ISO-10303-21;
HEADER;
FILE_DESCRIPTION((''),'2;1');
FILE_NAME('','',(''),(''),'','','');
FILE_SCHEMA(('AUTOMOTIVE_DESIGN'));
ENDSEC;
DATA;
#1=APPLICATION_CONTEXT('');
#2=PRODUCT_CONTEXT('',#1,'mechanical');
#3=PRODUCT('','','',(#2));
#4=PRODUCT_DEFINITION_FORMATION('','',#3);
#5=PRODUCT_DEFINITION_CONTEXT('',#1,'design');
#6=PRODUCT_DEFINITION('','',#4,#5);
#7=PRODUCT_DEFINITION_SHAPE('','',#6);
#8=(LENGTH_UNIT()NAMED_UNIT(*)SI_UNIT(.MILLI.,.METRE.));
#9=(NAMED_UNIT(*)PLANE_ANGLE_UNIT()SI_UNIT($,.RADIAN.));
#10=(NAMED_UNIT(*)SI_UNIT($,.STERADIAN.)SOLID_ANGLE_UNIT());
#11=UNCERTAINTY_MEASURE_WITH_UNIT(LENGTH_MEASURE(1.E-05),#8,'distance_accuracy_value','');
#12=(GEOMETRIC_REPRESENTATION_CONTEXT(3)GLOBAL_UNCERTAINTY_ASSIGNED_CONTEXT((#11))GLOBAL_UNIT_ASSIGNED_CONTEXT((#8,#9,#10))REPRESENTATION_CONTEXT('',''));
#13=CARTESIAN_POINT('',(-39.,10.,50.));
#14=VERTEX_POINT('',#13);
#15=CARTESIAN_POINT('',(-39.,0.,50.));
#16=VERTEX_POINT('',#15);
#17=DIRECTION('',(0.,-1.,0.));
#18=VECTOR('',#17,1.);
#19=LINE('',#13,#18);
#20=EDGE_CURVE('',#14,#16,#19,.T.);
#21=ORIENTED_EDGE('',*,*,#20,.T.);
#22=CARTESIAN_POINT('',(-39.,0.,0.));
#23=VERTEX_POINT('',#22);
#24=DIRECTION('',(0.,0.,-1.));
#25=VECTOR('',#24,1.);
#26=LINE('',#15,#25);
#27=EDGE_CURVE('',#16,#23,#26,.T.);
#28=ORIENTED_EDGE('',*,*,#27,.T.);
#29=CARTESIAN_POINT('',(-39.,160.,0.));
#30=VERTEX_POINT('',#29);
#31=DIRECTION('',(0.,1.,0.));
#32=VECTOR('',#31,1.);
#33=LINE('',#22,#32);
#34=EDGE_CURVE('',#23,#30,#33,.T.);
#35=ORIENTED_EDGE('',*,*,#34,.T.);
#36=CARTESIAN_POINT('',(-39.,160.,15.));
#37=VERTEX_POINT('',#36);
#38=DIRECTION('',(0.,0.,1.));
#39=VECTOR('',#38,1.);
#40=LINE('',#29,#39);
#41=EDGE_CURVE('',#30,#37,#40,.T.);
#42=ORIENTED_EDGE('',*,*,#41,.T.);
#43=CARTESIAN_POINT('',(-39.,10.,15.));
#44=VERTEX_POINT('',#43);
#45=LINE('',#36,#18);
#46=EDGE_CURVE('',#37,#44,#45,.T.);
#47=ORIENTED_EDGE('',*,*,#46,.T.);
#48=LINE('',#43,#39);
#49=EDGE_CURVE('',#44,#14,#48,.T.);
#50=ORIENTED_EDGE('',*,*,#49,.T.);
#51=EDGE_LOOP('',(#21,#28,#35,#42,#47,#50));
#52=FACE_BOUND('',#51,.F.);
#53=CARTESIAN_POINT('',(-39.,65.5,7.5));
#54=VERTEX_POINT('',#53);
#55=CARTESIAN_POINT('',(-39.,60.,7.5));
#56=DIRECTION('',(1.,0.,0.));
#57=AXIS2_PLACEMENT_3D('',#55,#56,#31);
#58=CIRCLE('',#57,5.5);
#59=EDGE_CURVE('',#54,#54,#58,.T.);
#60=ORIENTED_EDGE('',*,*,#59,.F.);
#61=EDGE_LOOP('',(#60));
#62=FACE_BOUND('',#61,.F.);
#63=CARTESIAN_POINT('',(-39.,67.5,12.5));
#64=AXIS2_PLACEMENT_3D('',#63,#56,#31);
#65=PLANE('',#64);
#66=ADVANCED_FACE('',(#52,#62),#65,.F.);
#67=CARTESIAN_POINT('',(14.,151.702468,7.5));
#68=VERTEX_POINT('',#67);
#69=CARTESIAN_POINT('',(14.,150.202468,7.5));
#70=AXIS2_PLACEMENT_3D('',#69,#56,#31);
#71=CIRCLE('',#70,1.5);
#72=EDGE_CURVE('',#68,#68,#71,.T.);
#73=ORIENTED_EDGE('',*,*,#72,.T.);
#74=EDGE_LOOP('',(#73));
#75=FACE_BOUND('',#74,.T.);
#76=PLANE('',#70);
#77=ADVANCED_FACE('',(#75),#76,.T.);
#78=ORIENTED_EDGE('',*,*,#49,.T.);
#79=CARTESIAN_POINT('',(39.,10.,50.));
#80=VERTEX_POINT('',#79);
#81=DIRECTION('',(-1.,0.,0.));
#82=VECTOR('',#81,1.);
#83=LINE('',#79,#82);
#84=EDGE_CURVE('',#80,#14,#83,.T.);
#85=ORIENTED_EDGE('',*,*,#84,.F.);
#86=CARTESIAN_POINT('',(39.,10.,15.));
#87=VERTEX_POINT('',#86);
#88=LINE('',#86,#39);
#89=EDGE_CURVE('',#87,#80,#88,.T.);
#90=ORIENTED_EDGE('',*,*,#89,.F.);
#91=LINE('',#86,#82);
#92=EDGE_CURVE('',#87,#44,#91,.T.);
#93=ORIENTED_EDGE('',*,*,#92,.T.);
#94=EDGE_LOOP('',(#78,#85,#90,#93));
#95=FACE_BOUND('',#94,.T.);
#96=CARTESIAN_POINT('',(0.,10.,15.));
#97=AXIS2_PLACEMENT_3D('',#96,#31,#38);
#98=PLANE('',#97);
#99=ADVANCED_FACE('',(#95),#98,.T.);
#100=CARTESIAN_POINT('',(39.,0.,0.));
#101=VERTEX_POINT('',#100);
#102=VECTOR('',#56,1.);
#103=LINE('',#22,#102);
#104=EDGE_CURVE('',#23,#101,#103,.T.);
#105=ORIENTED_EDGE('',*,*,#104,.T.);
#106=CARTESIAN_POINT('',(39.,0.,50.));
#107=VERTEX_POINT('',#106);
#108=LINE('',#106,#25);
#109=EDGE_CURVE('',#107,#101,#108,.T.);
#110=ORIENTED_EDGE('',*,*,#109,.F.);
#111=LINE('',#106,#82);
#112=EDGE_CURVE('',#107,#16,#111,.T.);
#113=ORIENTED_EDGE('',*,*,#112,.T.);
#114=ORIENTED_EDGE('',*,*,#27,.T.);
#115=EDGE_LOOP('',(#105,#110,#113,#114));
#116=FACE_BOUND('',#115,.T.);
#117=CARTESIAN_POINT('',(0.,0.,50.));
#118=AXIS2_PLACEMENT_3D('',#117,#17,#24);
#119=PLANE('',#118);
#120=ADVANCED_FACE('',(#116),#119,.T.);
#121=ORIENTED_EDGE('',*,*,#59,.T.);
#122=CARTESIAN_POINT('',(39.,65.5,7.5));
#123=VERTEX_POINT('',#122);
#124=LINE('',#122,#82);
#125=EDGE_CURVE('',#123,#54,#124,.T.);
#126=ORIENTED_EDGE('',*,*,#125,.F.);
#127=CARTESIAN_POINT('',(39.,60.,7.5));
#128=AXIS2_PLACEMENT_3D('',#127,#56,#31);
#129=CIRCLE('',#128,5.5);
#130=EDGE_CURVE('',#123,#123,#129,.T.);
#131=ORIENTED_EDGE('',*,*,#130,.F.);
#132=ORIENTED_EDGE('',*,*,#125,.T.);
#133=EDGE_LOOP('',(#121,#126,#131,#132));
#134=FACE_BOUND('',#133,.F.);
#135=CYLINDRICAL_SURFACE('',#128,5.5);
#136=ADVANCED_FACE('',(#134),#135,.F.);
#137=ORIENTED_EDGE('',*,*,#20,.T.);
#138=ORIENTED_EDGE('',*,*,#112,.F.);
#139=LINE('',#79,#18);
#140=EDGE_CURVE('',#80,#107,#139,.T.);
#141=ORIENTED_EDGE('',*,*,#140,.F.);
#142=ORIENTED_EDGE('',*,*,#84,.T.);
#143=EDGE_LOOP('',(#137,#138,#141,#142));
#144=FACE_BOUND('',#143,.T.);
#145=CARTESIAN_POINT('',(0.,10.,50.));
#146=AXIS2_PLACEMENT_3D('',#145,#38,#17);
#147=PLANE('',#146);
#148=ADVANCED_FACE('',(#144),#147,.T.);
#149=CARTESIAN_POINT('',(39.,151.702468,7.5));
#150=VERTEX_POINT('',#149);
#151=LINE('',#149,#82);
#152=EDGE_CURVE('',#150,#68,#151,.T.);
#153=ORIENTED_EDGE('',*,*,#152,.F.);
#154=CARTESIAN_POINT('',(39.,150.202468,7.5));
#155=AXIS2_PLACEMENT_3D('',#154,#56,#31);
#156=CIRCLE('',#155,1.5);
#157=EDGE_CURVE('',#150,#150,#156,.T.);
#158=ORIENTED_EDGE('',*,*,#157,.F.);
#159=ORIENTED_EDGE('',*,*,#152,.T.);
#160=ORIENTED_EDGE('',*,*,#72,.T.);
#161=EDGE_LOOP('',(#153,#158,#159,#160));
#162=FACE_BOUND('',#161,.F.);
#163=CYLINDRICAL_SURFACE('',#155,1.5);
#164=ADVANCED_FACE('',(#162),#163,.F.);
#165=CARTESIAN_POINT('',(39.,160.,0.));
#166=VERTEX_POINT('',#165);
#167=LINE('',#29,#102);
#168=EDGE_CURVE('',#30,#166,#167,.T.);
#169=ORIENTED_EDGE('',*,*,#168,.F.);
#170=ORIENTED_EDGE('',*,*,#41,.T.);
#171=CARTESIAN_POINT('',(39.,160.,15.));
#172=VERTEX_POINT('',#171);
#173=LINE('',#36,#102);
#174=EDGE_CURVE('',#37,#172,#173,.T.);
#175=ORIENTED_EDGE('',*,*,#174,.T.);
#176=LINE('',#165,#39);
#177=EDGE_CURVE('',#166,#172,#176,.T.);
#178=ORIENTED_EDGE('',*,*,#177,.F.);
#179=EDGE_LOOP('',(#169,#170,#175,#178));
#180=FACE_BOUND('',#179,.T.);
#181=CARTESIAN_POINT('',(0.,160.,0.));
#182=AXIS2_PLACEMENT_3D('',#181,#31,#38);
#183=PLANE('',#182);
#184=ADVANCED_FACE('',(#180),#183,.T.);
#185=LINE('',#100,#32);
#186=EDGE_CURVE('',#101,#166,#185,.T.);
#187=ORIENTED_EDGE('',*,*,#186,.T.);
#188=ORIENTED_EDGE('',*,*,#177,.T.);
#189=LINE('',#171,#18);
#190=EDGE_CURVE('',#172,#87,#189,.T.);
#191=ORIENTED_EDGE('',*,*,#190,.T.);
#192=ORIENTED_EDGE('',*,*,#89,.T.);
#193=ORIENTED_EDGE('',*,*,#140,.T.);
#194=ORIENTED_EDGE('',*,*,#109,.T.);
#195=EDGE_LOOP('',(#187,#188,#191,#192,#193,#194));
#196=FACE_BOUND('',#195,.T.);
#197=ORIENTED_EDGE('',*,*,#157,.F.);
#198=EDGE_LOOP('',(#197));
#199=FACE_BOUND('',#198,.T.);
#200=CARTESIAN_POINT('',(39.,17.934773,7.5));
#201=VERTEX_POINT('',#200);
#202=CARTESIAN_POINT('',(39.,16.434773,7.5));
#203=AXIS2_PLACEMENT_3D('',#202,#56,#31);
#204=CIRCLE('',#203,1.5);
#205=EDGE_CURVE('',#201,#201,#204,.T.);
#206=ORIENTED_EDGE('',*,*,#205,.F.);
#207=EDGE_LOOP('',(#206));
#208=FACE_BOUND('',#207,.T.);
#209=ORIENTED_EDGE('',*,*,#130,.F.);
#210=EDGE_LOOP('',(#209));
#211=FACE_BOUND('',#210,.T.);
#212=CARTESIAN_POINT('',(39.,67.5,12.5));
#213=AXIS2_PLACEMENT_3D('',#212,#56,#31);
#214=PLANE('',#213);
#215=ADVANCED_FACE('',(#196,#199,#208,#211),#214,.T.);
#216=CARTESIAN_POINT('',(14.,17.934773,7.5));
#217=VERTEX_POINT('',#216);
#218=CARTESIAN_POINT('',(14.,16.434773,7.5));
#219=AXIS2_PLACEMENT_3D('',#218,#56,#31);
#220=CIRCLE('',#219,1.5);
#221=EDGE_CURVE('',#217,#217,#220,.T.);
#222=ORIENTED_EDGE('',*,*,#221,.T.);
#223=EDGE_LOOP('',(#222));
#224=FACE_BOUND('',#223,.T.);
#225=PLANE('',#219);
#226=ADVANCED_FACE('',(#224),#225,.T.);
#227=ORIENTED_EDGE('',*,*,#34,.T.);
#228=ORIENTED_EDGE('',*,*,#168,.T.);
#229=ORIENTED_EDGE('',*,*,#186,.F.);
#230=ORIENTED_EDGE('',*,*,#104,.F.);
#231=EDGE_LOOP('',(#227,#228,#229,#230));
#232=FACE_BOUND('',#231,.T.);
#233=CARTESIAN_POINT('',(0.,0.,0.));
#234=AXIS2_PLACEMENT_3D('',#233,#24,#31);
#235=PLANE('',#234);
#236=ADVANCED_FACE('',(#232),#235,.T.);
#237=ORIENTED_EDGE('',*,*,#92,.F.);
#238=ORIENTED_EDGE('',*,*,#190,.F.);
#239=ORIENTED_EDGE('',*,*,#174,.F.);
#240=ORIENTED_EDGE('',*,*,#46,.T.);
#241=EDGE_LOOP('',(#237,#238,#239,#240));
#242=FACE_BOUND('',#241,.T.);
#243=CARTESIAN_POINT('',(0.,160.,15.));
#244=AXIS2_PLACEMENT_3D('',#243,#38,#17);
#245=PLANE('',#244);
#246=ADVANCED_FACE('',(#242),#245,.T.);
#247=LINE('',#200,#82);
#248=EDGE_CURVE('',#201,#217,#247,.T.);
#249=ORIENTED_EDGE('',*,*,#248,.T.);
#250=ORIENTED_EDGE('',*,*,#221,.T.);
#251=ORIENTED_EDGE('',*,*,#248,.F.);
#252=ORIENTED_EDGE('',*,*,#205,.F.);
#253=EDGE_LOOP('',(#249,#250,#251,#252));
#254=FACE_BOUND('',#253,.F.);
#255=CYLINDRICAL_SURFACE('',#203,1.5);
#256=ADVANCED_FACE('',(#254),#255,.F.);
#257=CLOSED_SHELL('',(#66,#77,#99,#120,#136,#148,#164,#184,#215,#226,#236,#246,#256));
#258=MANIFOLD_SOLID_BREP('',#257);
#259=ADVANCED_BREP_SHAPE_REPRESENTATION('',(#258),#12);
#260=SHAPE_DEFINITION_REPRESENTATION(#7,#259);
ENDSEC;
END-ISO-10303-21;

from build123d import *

# Parameters (mm, degrees)
F1_DEPTH = 39
F2_R     = 5.5
F3_DEPTH = 100
F4_R     = 1.5
F5_DEPTH = 25


with BuildPart() as f1:
    # F0 (on Right) → F1 (new body, symmetric)
    with BuildSketch(Plane.YZ):
        Polygon((0, 50), (0, 0), (160, 0), (160, 15), (10, 15), (10, 50), align=None)
    extrude(amount=F1_DEPTH, both=True)

    # F2 (on face) → F3 (cut)
    with BuildSketch(Plane.YZ.offset(39)):
        with Locations((60, 7.5)):
            Circle(F2_R)
    extrude(amount=-F3_DEPTH, mode=Mode.SUBTRACT)

    # F4 (on face) → F5 (cut)
    with BuildSketch(Plane.YZ.offset(39)):
        with Locations((150.202468, 7.5)):
            Circle(F4_R)
        with Locations((16.434773, 7.5)):
            Circle(F4_R)
    extrude(amount=-F5_DEPTH, mode=Mode.SUBTRACT)


solid = f1.part
